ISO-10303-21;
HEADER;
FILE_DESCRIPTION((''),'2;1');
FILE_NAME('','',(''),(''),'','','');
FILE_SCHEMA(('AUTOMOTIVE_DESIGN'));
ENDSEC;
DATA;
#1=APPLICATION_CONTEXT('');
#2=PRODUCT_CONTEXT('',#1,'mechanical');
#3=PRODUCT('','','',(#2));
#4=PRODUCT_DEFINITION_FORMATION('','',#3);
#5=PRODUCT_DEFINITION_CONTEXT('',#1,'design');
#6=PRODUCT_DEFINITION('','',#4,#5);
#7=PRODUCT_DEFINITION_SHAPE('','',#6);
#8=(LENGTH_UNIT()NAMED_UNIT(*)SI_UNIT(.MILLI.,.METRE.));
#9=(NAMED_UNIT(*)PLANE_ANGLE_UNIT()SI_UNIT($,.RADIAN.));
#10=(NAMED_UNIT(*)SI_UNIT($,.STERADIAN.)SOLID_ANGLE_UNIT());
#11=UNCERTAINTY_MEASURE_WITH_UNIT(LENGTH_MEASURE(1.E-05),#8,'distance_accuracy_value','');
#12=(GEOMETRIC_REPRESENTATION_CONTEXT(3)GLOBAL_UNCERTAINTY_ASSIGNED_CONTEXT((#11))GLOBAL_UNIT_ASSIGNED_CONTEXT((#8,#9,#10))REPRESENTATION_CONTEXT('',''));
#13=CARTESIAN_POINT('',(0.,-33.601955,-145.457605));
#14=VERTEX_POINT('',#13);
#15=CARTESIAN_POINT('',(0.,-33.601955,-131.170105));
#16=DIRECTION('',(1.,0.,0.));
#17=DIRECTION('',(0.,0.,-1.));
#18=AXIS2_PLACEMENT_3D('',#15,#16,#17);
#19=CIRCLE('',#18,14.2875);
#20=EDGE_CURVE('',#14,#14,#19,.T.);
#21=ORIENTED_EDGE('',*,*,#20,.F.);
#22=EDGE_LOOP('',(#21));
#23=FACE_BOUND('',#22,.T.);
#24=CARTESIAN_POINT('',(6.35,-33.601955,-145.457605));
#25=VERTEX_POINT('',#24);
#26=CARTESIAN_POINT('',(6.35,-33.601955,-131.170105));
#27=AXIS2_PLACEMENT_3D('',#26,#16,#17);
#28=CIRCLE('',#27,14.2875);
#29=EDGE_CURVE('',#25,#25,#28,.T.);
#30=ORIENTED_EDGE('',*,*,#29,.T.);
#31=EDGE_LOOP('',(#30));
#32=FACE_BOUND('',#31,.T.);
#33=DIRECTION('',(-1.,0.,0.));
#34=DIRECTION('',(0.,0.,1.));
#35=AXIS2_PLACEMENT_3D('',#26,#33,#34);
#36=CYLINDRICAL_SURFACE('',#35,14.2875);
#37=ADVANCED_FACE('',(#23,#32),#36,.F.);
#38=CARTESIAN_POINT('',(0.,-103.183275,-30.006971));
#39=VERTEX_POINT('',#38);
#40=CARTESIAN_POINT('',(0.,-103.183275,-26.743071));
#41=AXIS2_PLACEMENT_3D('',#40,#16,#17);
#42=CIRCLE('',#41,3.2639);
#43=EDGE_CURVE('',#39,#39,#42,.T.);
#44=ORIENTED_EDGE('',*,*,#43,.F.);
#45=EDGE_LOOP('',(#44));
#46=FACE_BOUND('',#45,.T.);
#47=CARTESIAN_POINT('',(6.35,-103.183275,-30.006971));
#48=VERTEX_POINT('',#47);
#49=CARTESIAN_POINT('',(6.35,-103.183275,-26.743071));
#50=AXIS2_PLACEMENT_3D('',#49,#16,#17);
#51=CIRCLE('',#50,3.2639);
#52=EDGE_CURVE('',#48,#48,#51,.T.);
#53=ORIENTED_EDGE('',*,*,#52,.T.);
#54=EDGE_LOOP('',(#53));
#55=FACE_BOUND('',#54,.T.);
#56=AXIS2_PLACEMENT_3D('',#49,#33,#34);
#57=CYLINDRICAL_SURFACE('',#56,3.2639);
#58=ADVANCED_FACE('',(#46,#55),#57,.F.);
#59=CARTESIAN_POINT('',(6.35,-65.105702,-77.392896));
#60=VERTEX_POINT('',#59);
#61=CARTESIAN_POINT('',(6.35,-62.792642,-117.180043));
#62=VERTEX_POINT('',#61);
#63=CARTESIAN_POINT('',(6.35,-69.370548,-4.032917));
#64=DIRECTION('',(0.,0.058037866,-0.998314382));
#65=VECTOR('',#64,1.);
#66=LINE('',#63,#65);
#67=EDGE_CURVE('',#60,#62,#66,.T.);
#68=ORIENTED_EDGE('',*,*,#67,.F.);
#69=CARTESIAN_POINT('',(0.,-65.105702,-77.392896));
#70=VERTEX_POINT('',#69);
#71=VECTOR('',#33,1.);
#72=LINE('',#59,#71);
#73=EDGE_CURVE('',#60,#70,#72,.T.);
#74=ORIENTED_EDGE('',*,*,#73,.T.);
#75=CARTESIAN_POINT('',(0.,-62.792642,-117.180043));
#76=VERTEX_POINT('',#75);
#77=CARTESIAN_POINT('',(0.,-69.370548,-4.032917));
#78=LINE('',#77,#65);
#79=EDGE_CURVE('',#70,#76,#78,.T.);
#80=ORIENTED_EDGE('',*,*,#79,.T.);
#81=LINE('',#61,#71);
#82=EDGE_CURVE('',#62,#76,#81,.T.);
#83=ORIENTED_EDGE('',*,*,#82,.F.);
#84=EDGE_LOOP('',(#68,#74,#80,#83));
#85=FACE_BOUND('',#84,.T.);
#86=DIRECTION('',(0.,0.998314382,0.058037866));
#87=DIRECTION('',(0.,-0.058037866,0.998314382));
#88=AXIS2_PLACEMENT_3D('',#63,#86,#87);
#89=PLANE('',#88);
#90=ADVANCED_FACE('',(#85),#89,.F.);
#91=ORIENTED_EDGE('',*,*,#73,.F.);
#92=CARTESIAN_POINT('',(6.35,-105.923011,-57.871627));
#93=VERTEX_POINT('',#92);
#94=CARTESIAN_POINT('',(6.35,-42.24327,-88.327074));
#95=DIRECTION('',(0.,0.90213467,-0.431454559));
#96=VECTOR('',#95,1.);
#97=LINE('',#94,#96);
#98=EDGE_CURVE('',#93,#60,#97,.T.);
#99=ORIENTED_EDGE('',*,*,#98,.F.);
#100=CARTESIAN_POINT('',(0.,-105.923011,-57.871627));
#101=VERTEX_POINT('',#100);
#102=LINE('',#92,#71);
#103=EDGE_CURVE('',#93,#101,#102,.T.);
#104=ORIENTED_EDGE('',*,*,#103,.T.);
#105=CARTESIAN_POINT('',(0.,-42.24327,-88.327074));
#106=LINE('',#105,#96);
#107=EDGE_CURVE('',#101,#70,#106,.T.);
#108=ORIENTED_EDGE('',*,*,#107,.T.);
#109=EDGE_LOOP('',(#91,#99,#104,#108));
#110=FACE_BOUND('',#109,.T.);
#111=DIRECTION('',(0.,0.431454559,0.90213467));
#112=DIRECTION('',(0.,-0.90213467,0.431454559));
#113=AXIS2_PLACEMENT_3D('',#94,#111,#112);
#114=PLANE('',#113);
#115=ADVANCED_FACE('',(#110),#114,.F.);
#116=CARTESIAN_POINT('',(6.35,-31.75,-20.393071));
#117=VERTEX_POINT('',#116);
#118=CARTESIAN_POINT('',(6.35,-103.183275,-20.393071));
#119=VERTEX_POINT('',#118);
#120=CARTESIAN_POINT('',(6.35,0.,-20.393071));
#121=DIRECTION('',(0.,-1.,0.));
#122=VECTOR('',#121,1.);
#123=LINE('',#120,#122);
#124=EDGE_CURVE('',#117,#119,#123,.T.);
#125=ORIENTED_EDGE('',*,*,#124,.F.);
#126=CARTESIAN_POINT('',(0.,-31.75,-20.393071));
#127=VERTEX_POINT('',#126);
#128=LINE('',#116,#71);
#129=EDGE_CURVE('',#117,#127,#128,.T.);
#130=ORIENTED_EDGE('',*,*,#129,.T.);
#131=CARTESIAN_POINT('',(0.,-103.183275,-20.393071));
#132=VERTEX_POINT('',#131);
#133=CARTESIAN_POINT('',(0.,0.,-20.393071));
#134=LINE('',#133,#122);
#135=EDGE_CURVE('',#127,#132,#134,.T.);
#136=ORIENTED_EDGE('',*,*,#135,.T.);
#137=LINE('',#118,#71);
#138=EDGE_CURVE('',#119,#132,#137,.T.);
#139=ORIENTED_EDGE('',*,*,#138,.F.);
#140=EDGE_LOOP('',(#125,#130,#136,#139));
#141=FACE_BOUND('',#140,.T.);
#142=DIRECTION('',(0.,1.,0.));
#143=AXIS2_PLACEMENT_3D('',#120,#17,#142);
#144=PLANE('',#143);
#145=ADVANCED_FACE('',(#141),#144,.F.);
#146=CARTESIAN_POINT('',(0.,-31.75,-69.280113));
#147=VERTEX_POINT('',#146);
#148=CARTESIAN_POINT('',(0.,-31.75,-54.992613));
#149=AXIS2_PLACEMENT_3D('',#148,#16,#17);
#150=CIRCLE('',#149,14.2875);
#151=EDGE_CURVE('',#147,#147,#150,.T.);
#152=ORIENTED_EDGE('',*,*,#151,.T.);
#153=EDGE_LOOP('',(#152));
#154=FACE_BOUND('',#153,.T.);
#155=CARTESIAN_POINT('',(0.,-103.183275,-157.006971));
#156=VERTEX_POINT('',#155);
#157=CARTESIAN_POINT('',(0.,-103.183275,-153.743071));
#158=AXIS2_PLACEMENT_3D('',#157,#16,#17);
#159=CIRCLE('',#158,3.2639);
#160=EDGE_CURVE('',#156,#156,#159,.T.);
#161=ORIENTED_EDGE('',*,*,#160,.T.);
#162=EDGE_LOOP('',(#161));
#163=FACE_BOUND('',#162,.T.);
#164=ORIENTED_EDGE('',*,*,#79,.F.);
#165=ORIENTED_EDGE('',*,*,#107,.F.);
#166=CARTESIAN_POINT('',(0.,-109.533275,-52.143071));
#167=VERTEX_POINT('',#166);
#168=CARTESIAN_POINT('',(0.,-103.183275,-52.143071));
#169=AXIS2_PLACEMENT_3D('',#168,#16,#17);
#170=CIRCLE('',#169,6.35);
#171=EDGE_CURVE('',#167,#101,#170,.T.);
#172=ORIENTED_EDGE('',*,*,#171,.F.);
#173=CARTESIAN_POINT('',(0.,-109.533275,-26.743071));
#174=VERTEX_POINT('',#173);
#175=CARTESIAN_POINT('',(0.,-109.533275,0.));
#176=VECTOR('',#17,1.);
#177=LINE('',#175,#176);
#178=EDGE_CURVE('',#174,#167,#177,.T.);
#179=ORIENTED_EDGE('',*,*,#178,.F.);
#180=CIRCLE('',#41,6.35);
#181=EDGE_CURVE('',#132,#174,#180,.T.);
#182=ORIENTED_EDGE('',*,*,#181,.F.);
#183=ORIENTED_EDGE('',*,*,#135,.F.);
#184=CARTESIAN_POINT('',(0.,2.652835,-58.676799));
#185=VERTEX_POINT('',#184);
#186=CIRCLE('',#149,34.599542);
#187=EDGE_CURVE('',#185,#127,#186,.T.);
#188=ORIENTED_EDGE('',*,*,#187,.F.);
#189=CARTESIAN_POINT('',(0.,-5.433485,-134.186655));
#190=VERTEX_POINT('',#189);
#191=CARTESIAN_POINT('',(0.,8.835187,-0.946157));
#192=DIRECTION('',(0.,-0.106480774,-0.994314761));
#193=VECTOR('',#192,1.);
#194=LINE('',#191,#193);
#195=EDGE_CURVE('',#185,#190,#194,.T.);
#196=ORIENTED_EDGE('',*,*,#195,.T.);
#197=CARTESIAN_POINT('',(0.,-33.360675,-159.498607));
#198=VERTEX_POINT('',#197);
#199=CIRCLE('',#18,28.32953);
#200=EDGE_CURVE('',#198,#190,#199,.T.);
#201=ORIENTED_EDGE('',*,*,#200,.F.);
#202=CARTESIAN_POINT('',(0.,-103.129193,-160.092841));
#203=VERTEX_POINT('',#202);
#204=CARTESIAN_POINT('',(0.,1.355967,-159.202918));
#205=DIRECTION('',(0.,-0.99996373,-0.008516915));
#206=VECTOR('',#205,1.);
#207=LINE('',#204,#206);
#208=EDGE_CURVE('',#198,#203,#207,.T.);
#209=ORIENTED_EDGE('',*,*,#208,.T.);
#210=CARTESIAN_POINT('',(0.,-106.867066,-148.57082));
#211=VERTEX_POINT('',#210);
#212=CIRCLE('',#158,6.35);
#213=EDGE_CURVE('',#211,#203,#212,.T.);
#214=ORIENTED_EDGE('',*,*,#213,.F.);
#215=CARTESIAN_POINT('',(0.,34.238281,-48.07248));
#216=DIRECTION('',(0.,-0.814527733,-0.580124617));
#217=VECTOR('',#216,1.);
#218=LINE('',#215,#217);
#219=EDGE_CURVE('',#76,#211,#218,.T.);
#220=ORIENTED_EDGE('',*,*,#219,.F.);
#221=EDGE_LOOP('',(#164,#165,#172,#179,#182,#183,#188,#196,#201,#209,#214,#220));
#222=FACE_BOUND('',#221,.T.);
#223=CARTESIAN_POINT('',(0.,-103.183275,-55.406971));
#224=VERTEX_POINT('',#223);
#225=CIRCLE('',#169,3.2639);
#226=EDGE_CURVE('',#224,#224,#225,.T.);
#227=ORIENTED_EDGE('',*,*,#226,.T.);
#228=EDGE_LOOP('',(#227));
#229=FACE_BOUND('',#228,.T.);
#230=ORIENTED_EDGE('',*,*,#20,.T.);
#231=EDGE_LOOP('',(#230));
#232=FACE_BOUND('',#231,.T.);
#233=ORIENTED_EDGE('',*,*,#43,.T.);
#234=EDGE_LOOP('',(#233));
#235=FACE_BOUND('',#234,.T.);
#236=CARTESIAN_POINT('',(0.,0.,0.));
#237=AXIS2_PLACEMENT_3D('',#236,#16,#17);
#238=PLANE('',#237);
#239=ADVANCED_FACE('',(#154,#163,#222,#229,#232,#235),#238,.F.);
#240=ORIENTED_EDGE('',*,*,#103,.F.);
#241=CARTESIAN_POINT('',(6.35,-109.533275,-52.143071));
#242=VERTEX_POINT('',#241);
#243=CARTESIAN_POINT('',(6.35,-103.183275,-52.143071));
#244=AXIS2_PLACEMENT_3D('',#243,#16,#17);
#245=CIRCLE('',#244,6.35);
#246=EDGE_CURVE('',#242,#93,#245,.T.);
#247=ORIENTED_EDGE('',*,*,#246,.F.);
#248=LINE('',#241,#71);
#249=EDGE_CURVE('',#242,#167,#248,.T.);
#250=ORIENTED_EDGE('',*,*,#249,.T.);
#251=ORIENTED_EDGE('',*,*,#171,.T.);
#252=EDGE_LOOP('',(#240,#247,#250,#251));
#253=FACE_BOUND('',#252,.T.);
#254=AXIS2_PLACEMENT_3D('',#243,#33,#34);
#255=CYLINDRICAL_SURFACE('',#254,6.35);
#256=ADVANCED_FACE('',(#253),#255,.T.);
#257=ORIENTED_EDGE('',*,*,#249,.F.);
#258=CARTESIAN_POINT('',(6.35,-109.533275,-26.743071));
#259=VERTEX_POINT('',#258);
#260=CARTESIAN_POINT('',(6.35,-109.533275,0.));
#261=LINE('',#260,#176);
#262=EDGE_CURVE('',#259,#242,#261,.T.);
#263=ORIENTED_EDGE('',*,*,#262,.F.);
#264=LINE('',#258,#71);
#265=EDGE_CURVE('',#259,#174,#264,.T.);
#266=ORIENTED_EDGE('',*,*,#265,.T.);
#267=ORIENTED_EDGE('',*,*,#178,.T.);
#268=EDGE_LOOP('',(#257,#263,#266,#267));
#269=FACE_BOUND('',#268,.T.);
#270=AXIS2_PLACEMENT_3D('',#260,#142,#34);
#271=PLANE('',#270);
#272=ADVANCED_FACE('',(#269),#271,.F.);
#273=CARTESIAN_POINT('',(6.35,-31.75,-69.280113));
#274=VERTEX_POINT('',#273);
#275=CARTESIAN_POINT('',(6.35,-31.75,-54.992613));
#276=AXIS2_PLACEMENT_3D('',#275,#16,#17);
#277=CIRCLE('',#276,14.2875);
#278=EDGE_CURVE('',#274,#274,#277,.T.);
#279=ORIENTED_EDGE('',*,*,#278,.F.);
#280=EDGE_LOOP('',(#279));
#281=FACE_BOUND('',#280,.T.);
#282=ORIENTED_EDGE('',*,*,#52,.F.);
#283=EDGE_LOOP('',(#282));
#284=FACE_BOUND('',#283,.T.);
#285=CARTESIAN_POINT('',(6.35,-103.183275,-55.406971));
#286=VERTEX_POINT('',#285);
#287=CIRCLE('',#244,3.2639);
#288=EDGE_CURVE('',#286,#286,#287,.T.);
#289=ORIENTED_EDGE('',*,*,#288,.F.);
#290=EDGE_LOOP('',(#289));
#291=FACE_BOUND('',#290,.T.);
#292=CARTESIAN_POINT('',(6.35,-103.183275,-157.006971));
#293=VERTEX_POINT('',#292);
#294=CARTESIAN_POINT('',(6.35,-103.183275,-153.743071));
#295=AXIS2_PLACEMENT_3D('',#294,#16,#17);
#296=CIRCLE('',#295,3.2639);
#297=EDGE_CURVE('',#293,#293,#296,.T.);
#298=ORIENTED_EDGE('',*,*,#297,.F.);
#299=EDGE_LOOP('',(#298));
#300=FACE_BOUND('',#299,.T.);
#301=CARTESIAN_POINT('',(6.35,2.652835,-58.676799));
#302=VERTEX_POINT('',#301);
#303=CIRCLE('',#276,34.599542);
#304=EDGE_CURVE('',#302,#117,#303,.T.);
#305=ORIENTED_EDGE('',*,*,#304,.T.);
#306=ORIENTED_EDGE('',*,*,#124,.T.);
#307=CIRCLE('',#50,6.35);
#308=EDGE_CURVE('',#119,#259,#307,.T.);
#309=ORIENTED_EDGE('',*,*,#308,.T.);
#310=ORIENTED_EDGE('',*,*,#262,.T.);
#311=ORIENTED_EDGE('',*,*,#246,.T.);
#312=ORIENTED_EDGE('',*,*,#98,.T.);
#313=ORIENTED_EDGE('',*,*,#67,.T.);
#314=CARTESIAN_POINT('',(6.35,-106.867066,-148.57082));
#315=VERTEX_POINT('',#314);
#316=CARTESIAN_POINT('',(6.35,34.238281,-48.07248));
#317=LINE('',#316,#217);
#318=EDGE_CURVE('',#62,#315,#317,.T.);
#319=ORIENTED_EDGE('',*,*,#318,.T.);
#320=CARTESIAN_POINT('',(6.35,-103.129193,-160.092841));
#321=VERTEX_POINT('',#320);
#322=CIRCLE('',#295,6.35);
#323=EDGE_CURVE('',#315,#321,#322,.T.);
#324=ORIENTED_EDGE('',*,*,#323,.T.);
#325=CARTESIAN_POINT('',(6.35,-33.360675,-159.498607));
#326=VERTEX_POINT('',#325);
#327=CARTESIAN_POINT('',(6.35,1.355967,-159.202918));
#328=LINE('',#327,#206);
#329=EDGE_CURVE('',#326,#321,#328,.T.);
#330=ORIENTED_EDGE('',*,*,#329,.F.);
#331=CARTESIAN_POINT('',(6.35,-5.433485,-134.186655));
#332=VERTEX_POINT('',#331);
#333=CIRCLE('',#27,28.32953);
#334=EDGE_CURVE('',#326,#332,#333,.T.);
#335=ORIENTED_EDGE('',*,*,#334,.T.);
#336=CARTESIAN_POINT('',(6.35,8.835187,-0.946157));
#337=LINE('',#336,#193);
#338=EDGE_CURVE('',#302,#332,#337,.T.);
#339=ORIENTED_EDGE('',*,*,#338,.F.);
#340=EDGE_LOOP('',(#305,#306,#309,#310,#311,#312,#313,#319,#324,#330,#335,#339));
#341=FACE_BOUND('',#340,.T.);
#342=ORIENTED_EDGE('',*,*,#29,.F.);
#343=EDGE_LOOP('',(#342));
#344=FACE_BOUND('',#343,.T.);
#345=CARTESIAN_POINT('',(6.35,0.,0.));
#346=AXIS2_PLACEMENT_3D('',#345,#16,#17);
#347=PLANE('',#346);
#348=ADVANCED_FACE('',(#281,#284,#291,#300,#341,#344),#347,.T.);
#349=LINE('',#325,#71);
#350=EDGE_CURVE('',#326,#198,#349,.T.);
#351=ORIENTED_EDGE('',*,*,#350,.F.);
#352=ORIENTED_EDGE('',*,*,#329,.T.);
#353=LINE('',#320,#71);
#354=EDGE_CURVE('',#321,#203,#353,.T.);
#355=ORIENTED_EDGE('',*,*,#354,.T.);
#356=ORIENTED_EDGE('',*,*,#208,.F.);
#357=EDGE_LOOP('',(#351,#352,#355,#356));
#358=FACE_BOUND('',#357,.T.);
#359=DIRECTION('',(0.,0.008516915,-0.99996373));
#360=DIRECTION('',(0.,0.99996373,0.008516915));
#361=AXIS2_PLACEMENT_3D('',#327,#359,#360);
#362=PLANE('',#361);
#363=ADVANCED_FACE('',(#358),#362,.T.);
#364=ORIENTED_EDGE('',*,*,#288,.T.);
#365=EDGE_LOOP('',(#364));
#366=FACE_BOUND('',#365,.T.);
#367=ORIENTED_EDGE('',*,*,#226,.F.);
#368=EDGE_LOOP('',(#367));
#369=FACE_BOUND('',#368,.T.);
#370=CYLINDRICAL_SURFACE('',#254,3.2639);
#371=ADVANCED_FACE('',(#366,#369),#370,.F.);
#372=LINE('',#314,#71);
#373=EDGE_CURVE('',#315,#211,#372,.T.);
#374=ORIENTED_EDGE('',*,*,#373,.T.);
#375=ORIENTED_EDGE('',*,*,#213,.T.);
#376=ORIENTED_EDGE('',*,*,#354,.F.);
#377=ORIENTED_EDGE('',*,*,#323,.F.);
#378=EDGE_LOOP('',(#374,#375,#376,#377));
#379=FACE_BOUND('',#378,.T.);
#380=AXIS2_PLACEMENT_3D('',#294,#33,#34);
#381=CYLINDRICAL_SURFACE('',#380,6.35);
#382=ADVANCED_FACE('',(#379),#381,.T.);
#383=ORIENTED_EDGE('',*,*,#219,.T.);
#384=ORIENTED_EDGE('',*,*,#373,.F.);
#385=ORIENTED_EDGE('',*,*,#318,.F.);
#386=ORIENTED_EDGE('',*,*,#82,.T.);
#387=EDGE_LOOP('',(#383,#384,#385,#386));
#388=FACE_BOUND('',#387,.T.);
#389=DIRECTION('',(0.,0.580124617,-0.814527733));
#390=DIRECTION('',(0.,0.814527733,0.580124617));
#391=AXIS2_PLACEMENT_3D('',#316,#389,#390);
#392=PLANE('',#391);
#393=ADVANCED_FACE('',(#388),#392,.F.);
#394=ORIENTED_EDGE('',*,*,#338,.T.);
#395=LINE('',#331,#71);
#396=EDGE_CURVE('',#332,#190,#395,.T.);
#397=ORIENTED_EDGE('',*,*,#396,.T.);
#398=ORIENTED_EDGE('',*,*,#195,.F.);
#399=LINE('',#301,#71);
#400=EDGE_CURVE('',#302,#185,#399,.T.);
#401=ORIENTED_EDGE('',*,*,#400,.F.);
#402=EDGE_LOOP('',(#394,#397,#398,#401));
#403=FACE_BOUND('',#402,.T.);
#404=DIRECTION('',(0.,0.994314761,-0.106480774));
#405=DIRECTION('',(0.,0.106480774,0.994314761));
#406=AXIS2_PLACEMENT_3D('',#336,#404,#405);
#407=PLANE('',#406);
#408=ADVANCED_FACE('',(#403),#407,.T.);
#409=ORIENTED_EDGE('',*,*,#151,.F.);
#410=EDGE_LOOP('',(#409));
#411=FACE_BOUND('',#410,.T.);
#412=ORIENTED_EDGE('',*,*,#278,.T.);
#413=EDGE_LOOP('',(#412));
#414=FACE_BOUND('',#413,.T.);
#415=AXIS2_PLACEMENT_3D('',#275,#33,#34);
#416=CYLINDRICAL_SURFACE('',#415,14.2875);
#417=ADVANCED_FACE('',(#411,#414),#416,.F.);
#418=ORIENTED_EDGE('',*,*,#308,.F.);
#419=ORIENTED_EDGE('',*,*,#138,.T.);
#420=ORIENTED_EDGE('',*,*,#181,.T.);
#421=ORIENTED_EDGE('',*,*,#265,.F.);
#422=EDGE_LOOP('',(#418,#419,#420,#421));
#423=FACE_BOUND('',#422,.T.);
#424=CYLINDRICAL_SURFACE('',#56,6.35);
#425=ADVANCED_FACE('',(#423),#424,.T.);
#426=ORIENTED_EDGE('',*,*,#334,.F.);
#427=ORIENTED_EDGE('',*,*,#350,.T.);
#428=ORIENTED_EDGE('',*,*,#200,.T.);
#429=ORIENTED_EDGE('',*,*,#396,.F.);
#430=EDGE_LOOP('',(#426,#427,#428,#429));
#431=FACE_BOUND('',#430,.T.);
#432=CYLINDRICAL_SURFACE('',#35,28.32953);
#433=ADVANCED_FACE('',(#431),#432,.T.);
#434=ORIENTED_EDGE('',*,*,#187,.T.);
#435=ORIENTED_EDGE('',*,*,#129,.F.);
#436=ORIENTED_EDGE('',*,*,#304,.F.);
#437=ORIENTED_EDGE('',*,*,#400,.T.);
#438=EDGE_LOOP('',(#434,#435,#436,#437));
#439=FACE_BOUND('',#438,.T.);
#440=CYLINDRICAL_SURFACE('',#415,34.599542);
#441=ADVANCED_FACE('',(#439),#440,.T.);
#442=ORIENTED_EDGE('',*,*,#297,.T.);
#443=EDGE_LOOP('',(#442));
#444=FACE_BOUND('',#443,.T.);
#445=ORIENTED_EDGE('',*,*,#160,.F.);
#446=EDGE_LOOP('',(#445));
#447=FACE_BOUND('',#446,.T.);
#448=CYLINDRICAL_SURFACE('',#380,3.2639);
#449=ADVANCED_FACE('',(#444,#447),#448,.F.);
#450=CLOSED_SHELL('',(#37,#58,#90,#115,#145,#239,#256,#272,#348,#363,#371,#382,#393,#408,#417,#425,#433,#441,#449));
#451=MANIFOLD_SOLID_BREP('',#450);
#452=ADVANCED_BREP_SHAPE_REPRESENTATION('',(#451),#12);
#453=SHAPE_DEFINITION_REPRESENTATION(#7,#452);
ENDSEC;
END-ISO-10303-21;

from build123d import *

# Parameters (mm, degrees)
SKETCH2_R           = 34.599541738
SKETCH2_R_2         = 14.2875
SKETCH2_R_3         = 6.35
SKETCH2_R_4         = 3.2639
SKETCH2_R_5         = 28.329529504
BOSS_EXTRUDE2_DEPTH = 6.35


with BuildPart() as part:
    # Sketch2 → Boss-Extrude2 (new body)
    # profile 1 of 10: a face of its own
    with BuildSketch(Plane(origin=(0, 0, 0), x_dir=(0, 0, -1), z_dir=(1, 0, 0))):
        with Locations((54.99261314, -31.75)):
            Circle(SKETCH2_R)
        with Locations((54.99261314, -31.75)):
            Circle(SKETCH2_R_2, mode=Mode.SUBTRACT)
    # profile 2 of 10: a face of its own
    with BuildSketch(Plane(origin=(0, 0, 0), x_dir=(0, 0, -1), z_dir=(1, 0, 0))):
        with BuildLine():
            ThreePointArc((57.000696707, -66.291220141), (31.247618749, -56.915522641), (20.393071403, -31.75))
            Line((20.393071403, -31.75), (20.393071403, -103.183274949))
            ThreePointArc((20.393071403, -103.183274949), (26.743071403, -96.833274949), (33.093071403, -103.183274949))
            ThreePointArc((33.093071403, -103.183274949), (31.233199463, -107.67340301), (26.743071403, -109.533274949))
            Line((26.743071403, -109.533274949), (52.143071403, -109.533274949))
            ThreePointArc((52.143071403, -109.533274949), (47.652943342, -98.693146889), (58.493071403, -103.183274949))
            ThreePointArc((58.493071403, -103.183274949), (58.33576166, -104.587941235), (57.87162656, -105.923011398))
            Line((57.87162656, -105.923011398), (77.392896244, -65.105702067))
            Line((77.392896244, -65.105702067), (57.000696707, -66.291220141))
        make_face()
    # profile 3 of 10: a face of its own
    with BuildSketch(Plane(origin=(0, 0, 0), x_dir=(0, 0, -1), z_dir=(1, 0, 0))):
        with Locations((52.143071403, -103.183274949)):
            Circle(SKETCH2_R_3)
        with Locations((52.143071403, -103.183274949)):
            Circle(SKETCH2_R_4, mode=Mode.SUBTRACT)
    # profile 4 of 10: a face of its own
    with BuildSketch(Plane(origin=(0, 0, 0), x_dir=(0, 0, -1), z_dir=(1, 0, 0))):
        with Locations((26.743071403, -103.183274949)):
            Circle(SKETCH2_R_3)
        with Locations((26.743071403, -103.183274949)):
            Circle(SKETCH2_R_4, mode=Mode.SUBTRACT)
    # profile 5 of 10: a face of its own
    with BuildSketch(Plane(origin=(0, 0, 0), x_dir=(0, 0, -1), z_dir=(1, 0, 0))):
        with Locations((131.170104981, -33.601954858)):
            Circle(SKETCH2_R_5)
        with Locations((131.170104981, -33.601954858)):
            Circle(SKETCH2_R_2, mode=Mode.SUBTRACT)
    # profile 6 of 10: a face of its own
    with BuildSketch(Plane(origin=(0, 0, 0), x_dir=(0, 0, -1), z_dir=(1, 0, 0))):
        with BuildLine():
            Line((134.186655208, -5.433485487), (58.676799121, 2.652835088))
            ThreePointArc((58.676799121, 2.652835088), (80.727797568, -8.623639047), (89.592154878, -31.75))
            ThreePointArc((89.592154878, -31.75), (88.735013932, -39.403670834), (86.206059323, -46.678130018))
            Line((86.206059323, -46.678130018), (77.392896244, -65.105702067))
            Line((77.392896244, -65.105702067), (117.180043235, -62.792642027))
            Line((117.180043235, -62.792642027), (108.094917525, -50.036612316))
            ThreePointArc((108.094917525, -50.036612316), (106.717150914, -19.297575132), (134.186655208, -5.433485487))
        make_face()
    # profile 7 of 10: a face of its own
    with BuildSketch(Plane(origin=(0, 0, 0), x_dir=(0, 0, -1), z_dir=(1, 0, 0))):
        with BuildLine():
            ThreePointArc((86.206059323, -46.678130018), (74.282139722, -60.47355223), (57.000696707, -66.291220141))
            Line((57.000696707, -66.291220141), (77.392896244, -65.105702067))
            Line((77.392896244, -65.105702067), (86.206059323, -46.678130018))
        make_face()
    # profile 8 of 10: a face of its own
    with BuildSketch(Plane(origin=(0, 0, 0), x_dir=(0, 0, -1), z_dir=(1, 0, 0))):
        with BuildLine():
            ThreePointArc((132.814290418, -61.883731609), (118.926309787, -59.149004025), (108.094917525, -50.036612316))
            Line((108.094917525, -50.036612316), (117.180043235, -62.792642027))
            Line((117.180043235, -62.792642027), (132.814290418, -61.883731609))
        make_face()
    # profile 9 of 10: a face of its own
    with BuildSketch(Plane(origin=(0, 0, 0), x_dir=(0, 0, -1), z_dir=(1, 0, 0))):
        with BuildLine():
            Line((160.092841091, -103.129192537), (159.498606986, -33.360674656))
            ThreePointArc((159.498606986, -33.360674656), (159.49937761, -33.481313663), (159.499634486, -33.601954858))
            ThreePointArc((159.499634486, -33.601954858), (151.775216505, -53.043961468), (132.814290418, -61.883731609))
            Line((132.814290418, -61.883731609), (117.180043235, -62.792642027))
            Line((117.180043235, -62.792642027), (148.570820295, -106.867066268))
            ThreePointArc((148.570820295, -106.867066268), (151.78359124, -97.143164231), (160.092841091, -103.129192537))
        make_face()
    # profile 10 of 10: a face of its own
    with BuildSketch(Plane(origin=(0, 0, 0), x_dir=(0, 0, -1), z_dir=(1, 0, 0))):
        with Locations((153.743071403, -103.183274949)):
            Circle(SKETCH2_R_3)
        with Locations((153.743071403, -103.183274949)):
            Circle(SKETCH2_R_4, mode=Mode.SUBTRACT)
    extrude(amount=BOSS_EXTRUDE2_DEPTH)


solid = part.part
